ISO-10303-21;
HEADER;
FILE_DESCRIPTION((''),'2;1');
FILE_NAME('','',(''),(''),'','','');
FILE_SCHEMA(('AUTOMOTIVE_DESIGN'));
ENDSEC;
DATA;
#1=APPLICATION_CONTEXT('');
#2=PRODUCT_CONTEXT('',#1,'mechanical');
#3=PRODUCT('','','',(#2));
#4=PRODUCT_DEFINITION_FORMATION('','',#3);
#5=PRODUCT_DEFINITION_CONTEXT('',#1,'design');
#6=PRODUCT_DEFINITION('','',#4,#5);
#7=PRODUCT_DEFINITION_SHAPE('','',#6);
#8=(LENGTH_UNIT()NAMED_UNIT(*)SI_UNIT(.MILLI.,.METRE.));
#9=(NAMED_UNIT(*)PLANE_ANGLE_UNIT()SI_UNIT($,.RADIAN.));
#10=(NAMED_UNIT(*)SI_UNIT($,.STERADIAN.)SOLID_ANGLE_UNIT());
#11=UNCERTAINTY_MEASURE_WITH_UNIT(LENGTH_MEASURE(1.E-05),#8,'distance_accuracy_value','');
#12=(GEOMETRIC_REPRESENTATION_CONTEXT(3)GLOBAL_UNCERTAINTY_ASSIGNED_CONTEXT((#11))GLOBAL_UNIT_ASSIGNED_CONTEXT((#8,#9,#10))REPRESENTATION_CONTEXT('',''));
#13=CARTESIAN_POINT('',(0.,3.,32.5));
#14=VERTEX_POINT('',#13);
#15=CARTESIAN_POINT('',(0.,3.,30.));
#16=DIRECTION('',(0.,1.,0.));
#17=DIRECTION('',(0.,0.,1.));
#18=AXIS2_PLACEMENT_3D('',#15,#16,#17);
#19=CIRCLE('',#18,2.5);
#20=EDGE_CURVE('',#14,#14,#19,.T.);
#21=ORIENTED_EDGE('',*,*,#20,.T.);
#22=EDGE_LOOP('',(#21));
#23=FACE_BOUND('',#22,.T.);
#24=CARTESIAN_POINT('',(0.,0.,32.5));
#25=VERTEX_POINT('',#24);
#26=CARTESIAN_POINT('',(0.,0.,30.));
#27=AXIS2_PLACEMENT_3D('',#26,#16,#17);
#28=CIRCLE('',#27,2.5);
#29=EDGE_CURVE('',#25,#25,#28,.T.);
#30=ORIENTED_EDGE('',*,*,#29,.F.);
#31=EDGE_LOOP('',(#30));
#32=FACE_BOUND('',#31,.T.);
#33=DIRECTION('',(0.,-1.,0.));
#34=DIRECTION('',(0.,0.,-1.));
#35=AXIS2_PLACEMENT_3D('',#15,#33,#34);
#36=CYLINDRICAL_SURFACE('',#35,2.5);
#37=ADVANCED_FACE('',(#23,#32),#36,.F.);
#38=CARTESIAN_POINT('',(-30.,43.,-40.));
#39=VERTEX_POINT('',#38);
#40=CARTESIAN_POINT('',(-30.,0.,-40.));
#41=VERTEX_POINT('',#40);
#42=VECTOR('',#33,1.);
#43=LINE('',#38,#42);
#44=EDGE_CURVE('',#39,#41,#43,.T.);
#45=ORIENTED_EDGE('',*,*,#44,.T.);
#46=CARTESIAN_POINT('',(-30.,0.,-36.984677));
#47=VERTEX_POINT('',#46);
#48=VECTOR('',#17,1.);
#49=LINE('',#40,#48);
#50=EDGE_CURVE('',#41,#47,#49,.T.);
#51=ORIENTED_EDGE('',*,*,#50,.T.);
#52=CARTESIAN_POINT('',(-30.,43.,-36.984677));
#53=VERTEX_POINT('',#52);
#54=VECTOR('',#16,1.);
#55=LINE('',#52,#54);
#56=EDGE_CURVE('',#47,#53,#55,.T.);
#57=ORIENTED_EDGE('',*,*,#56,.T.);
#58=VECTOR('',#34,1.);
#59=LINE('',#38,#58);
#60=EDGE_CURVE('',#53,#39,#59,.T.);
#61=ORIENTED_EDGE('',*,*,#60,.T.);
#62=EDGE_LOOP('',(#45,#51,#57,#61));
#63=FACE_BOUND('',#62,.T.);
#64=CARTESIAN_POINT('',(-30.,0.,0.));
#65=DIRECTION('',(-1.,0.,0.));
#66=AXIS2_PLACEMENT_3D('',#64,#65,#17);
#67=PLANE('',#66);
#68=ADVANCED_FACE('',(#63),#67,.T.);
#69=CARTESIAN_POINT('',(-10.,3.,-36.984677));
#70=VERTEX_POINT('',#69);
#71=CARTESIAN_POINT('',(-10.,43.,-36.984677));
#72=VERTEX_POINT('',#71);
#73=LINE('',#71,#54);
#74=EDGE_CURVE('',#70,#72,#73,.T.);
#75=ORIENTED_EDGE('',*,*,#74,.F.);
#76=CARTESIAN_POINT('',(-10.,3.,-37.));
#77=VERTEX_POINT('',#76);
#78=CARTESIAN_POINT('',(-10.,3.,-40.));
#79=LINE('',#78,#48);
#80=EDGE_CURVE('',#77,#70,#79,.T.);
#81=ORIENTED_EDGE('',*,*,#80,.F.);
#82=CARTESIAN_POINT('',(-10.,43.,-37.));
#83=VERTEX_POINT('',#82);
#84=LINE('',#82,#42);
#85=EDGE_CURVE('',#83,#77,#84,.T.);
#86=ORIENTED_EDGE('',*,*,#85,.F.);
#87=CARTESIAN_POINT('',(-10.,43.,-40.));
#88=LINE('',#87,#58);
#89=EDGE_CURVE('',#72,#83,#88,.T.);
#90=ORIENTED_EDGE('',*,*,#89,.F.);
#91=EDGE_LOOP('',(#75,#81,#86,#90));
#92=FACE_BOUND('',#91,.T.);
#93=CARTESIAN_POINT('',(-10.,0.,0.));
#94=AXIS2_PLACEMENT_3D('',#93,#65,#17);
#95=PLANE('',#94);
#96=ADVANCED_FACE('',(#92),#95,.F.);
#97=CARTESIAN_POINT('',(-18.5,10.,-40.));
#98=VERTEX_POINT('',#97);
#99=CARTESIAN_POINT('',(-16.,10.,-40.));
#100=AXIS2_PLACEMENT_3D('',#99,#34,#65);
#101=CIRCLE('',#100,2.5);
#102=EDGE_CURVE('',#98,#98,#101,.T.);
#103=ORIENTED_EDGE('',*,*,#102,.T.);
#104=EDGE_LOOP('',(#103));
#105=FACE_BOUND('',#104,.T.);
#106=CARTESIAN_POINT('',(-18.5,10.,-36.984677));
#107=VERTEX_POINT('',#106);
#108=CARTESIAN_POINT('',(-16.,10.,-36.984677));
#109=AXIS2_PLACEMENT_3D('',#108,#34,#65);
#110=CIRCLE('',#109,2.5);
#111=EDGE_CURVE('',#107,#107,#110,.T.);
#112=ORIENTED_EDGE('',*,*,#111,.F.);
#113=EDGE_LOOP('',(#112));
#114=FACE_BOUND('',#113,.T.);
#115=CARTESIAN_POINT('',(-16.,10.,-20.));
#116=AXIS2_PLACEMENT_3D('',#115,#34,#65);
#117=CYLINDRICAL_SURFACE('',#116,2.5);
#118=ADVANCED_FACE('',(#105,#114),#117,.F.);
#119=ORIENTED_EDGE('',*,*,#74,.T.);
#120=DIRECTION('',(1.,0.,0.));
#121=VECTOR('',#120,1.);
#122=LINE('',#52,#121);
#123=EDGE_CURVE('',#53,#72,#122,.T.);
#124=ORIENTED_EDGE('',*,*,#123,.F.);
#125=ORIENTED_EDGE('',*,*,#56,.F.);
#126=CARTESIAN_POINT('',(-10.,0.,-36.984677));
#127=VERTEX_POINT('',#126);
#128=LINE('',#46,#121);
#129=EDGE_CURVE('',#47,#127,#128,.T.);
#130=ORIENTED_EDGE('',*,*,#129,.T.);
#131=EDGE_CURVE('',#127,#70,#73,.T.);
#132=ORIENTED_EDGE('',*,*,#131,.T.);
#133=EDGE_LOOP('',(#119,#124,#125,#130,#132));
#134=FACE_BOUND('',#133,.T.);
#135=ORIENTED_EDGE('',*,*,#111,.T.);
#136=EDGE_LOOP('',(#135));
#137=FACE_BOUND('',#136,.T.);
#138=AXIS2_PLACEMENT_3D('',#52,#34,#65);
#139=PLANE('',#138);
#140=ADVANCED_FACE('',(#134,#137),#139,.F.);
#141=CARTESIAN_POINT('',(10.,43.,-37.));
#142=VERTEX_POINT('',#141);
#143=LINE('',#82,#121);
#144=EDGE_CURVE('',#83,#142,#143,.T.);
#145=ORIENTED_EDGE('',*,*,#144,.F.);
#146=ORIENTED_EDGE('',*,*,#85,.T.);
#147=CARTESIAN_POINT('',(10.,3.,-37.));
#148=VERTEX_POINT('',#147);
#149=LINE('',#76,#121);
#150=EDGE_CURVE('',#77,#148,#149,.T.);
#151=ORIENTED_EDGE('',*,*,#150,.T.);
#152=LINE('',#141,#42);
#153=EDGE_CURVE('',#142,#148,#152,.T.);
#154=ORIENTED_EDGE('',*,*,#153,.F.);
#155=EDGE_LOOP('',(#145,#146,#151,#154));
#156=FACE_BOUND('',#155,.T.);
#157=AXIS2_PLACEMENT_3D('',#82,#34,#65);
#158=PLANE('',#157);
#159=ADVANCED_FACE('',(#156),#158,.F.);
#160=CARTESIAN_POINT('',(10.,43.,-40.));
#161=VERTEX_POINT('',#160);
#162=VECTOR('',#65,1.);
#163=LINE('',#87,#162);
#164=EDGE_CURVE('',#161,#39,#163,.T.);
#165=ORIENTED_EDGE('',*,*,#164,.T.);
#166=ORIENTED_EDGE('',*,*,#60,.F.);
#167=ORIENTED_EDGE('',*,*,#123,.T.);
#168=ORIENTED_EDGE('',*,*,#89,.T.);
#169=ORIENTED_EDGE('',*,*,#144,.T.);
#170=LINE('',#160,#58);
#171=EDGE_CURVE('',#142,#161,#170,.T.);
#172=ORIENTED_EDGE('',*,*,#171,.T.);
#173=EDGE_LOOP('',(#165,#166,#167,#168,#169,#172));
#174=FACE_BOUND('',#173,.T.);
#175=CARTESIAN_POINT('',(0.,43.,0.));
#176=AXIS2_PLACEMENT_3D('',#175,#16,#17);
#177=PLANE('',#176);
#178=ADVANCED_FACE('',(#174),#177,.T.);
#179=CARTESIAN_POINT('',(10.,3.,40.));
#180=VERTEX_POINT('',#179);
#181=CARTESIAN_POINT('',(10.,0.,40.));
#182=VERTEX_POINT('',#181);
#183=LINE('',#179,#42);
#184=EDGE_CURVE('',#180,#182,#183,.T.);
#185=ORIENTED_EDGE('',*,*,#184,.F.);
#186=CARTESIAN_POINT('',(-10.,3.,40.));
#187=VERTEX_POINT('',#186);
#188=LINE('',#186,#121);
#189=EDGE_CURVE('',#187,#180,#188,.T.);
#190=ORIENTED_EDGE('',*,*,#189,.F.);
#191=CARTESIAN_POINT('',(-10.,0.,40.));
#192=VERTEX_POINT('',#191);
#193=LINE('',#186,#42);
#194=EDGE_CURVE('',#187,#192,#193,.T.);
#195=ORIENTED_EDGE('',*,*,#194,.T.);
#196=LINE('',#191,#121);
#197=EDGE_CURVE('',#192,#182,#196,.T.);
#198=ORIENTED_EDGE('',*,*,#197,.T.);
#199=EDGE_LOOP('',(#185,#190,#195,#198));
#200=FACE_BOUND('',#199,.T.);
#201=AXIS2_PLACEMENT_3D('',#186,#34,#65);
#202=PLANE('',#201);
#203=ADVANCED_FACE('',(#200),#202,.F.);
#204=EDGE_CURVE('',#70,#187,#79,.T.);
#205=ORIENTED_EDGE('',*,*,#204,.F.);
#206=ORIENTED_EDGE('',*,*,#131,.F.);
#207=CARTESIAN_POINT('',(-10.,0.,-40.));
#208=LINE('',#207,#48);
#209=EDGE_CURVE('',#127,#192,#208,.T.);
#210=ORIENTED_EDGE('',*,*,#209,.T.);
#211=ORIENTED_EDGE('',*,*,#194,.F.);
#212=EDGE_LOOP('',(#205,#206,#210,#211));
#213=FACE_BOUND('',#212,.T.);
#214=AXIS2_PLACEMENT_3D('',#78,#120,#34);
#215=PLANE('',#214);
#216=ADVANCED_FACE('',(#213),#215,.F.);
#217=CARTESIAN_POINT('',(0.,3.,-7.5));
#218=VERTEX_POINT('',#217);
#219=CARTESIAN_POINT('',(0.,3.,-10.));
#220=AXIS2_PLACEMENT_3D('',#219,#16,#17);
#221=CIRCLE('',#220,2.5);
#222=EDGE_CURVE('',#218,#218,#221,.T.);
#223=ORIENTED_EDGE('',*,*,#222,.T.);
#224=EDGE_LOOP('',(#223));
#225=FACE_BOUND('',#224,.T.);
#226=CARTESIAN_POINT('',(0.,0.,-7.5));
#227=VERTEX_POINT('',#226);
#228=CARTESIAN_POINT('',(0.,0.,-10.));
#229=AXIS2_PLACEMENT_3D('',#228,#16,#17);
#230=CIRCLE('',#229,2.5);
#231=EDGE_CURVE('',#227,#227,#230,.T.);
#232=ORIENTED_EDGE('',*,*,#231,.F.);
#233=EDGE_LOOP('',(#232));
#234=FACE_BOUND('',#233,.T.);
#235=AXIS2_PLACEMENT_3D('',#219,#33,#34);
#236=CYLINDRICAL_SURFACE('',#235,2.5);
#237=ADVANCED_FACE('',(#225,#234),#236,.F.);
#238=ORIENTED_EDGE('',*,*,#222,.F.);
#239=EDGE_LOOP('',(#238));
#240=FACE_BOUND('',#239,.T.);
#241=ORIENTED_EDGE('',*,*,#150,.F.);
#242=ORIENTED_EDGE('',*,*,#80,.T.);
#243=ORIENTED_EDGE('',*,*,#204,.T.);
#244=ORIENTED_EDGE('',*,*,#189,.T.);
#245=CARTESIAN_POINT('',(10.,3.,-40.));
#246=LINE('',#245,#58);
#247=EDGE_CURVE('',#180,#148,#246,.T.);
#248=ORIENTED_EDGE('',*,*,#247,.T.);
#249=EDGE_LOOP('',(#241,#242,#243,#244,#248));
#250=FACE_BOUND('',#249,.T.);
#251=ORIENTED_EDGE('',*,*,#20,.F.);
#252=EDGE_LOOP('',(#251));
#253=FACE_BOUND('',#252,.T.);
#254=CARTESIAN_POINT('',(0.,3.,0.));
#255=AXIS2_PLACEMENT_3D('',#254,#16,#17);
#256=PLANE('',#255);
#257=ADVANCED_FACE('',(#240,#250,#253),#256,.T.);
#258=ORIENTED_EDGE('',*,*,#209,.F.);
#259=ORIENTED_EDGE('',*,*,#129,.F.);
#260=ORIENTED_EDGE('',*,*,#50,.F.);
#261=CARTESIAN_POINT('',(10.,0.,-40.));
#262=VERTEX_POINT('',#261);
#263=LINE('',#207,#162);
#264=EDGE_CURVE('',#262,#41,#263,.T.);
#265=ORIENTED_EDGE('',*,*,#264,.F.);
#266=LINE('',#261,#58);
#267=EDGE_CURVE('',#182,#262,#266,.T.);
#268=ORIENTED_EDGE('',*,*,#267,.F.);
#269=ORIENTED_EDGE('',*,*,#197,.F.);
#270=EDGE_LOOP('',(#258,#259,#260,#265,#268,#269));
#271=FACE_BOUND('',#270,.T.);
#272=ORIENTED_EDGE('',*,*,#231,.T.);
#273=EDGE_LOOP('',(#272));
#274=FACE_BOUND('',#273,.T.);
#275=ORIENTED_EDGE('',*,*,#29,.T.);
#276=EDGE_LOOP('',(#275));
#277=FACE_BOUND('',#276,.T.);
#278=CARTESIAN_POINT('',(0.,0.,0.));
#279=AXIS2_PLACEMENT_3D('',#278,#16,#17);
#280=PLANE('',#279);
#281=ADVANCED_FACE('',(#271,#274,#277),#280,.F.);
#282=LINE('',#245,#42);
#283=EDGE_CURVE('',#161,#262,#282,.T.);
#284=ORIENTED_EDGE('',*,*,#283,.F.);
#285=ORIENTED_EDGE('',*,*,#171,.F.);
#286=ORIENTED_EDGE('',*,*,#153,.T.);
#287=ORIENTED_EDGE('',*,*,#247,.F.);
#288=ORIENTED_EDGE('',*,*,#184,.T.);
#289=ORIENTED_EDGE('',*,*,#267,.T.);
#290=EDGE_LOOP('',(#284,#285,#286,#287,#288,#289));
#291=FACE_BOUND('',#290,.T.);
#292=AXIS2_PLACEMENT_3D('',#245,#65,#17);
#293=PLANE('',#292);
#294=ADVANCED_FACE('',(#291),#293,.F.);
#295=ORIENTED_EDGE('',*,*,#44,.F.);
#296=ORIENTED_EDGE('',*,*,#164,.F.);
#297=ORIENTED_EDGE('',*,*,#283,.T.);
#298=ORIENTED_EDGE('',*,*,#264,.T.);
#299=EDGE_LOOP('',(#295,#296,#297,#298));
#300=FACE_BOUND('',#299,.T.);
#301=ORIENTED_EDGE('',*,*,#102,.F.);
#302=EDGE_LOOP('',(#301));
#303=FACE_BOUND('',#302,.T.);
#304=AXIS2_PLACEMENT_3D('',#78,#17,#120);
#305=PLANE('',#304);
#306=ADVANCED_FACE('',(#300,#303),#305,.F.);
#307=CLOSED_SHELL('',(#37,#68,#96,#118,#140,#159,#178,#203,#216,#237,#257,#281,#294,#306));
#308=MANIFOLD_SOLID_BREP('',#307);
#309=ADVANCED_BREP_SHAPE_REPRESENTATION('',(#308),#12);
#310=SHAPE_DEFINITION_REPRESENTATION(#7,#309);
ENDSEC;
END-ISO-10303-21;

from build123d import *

# Parameters (mm, degrees)
SKETCH1_W           = 20
SKETCH1_H           = 80
SKETCH1_R           = 2.5
BOSS_EXTRUDE1_DEPTH = 3
SKETCH2_W           = 20
SKETCH2_H           = 3
BOSS_EXTRUDE2_DEPTH = 40
SKETCH4_W           = 3.015323491
SKETCH4_H           = 43
BOSS_EXTRUDE4_DEPTH = 20
SKETCH7_R           = 2.5
CUT_EXTRUDE2_DEPTH  = 20


with BuildPart() as part:
    # Sketch1 → Boss-Extrude1 (new body)
    with BuildSketch(Plane(origin=(0, 0, 0), x_dir=(1, 0, 0), z_dir=(0, 1, 0))):
        Rectangle(SKETCH1_W, SKETCH1_H)
        with Locations((0, -30)):
            Circle(SKETCH1_R, mode=Mode.SUBTRACT)
        with Locations((0, 10)):
            Circle(SKETCH1_R, mode=Mode.SUBTRACT)
    extrude(amount=BOSS_EXTRUDE1_DEPTH)

    # Sketch2 → Boss-Extrude2 (add)
    with BuildSketch(Plane(origin=(0, 3, 0), x_dir=(1, 0, 0), z_dir=(0, 1, 0))):
        with Locations((0, 38.5)):
            Rectangle(SKETCH2_W, SKETCH2_H)
    extrude(amount=BOSS_EXTRUDE2_DEPTH)

    # Sketch4 → Boss-Extrude4 (add)
    with BuildSketch(Plane.ZY.offset(10)):
        with Locations((-38.492338254, 21.5)):
            Rectangle(SKETCH4_W, SKETCH4_H)
    extrude(amount=BOSS_EXTRUDE4_DEPTH)

    # Sketch7 → Cut-Extrude2 (cut)
    with BuildSketch(Plane(origin=(0, 0, -40), x_dir=(-1, 0, 0), z_dir=(0, 0, -1))):
        with Locations((16, 10)):
            Circle(SKETCH7_R)
    extrude(amount=-CUT_EXTRUDE2_DEPTH, mode=Mode.SUBTRACT)


solid = part.part
